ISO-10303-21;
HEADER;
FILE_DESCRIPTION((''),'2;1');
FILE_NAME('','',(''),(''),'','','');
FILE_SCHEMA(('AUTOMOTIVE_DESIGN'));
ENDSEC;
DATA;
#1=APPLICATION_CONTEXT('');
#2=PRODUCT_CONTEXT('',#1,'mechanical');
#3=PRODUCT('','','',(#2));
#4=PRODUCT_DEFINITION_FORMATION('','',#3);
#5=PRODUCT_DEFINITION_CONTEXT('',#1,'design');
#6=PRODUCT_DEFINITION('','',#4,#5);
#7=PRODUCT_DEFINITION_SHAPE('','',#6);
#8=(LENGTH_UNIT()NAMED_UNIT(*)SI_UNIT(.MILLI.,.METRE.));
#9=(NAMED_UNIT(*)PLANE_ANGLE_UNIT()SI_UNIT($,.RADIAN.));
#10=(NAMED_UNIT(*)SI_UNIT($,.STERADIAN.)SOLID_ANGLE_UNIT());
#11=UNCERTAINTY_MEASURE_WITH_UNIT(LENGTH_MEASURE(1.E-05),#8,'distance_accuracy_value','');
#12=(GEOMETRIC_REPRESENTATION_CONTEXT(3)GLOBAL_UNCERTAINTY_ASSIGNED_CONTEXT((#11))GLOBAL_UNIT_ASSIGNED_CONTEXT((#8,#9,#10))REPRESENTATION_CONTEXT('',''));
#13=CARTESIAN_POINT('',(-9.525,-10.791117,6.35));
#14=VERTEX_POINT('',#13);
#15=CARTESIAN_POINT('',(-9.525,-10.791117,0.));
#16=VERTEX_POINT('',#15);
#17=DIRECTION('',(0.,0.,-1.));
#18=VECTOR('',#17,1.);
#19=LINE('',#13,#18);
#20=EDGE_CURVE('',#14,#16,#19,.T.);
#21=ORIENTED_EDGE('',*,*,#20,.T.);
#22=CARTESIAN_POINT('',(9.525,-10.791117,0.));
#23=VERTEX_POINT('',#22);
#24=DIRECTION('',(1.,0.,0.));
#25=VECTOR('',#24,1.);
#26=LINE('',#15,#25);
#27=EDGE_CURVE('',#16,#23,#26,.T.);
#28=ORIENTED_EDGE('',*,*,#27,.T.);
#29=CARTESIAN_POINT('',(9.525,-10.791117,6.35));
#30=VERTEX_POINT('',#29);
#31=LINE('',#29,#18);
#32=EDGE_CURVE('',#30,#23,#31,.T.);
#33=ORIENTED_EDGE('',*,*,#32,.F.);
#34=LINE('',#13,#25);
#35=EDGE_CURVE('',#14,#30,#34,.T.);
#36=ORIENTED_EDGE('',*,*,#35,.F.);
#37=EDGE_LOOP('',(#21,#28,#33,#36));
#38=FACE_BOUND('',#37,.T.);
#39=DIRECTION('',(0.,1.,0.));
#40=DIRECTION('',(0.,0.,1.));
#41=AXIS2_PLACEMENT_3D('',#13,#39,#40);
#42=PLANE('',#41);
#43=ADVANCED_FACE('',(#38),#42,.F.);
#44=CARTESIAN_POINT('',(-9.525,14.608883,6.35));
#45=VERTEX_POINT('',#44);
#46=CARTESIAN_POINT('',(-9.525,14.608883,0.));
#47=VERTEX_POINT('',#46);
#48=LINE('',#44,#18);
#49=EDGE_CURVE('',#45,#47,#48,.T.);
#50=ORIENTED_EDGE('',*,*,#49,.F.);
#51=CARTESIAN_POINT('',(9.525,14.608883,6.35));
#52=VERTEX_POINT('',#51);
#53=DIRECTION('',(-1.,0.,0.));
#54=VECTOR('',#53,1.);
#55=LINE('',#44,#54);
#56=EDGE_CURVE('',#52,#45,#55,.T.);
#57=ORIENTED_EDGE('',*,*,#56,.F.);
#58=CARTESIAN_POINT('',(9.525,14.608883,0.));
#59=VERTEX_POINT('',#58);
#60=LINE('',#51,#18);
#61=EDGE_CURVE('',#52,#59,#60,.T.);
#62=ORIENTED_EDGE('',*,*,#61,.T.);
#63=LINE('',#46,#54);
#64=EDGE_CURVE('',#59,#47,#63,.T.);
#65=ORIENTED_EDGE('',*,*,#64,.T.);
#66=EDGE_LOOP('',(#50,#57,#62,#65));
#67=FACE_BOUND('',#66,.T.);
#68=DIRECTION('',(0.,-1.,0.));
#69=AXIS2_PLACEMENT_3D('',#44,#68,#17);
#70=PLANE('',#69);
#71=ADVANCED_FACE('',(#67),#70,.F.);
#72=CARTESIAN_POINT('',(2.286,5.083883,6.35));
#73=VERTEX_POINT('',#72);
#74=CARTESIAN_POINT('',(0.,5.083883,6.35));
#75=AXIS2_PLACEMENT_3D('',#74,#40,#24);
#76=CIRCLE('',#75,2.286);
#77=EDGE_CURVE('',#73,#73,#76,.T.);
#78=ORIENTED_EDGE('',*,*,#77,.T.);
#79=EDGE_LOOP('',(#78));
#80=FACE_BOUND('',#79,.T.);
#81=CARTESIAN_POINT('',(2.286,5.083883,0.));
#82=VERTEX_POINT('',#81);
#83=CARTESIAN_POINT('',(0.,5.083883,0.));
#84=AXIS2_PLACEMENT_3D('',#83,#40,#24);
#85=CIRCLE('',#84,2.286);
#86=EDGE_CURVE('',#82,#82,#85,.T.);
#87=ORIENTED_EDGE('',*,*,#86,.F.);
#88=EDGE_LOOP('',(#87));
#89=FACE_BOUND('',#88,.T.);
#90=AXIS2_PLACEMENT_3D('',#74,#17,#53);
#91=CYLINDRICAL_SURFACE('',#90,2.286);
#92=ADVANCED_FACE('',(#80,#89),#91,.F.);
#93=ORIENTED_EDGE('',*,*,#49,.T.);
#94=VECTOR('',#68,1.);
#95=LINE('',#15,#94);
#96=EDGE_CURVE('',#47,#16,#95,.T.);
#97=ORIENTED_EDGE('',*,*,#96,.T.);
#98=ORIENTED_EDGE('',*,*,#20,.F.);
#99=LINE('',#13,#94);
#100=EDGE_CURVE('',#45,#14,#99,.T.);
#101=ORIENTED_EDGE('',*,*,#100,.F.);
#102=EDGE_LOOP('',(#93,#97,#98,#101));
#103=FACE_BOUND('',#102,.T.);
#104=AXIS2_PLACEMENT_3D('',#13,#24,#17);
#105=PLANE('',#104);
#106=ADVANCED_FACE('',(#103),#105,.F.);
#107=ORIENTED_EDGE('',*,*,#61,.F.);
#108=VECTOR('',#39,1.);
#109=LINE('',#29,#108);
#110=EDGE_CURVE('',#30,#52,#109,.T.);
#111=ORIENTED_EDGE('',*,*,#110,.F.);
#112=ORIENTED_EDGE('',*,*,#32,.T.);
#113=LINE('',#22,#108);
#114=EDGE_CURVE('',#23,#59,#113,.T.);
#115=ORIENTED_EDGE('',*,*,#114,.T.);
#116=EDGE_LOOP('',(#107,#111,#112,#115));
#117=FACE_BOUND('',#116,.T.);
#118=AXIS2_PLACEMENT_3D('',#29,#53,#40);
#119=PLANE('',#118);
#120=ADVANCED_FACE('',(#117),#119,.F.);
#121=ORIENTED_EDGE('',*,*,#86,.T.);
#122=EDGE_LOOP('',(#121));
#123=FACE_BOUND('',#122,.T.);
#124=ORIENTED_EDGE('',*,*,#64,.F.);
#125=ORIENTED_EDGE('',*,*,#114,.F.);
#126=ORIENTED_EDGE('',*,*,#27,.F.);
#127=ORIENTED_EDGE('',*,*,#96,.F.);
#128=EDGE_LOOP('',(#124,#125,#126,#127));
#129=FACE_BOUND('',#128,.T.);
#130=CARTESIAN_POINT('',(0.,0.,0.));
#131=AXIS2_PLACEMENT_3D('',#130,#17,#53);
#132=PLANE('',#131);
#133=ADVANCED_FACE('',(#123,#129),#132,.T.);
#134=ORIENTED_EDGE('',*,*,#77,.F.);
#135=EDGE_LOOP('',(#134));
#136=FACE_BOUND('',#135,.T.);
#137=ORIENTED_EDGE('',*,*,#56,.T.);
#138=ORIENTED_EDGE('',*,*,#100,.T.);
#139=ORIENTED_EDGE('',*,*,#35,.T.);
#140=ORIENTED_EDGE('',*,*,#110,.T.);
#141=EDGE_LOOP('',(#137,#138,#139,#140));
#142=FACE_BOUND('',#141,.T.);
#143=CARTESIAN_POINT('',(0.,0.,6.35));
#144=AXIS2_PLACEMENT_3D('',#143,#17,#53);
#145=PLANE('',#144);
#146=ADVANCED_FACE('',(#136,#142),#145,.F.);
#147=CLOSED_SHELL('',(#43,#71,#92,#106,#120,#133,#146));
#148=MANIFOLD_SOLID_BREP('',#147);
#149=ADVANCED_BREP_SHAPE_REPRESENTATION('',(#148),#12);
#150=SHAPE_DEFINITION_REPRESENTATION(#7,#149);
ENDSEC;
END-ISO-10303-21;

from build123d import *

# Parameters (mm, degrees)
SKETCH1_W           = 19.05
SKETCH1_H           = 25.4
SKETCH1_R           = 2.286
BOSS_EXTRUDE1_DEPTH = 6.35


with BuildPart() as part:
    # Sketch1 → Boss-Extrude1 (new body)
    with BuildSketch(Plane.XY):
        with Locations((0, 1.908882881)):
            Rectangle(SKETCH1_W, SKETCH1_H)
        with Locations((0, 5.083882881)):
            Circle(SKETCH1_R, mode=Mode.SUBTRACT)
    extrude(amount=BOSS_EXTRUDE1_DEPTH)


solid = part.part
